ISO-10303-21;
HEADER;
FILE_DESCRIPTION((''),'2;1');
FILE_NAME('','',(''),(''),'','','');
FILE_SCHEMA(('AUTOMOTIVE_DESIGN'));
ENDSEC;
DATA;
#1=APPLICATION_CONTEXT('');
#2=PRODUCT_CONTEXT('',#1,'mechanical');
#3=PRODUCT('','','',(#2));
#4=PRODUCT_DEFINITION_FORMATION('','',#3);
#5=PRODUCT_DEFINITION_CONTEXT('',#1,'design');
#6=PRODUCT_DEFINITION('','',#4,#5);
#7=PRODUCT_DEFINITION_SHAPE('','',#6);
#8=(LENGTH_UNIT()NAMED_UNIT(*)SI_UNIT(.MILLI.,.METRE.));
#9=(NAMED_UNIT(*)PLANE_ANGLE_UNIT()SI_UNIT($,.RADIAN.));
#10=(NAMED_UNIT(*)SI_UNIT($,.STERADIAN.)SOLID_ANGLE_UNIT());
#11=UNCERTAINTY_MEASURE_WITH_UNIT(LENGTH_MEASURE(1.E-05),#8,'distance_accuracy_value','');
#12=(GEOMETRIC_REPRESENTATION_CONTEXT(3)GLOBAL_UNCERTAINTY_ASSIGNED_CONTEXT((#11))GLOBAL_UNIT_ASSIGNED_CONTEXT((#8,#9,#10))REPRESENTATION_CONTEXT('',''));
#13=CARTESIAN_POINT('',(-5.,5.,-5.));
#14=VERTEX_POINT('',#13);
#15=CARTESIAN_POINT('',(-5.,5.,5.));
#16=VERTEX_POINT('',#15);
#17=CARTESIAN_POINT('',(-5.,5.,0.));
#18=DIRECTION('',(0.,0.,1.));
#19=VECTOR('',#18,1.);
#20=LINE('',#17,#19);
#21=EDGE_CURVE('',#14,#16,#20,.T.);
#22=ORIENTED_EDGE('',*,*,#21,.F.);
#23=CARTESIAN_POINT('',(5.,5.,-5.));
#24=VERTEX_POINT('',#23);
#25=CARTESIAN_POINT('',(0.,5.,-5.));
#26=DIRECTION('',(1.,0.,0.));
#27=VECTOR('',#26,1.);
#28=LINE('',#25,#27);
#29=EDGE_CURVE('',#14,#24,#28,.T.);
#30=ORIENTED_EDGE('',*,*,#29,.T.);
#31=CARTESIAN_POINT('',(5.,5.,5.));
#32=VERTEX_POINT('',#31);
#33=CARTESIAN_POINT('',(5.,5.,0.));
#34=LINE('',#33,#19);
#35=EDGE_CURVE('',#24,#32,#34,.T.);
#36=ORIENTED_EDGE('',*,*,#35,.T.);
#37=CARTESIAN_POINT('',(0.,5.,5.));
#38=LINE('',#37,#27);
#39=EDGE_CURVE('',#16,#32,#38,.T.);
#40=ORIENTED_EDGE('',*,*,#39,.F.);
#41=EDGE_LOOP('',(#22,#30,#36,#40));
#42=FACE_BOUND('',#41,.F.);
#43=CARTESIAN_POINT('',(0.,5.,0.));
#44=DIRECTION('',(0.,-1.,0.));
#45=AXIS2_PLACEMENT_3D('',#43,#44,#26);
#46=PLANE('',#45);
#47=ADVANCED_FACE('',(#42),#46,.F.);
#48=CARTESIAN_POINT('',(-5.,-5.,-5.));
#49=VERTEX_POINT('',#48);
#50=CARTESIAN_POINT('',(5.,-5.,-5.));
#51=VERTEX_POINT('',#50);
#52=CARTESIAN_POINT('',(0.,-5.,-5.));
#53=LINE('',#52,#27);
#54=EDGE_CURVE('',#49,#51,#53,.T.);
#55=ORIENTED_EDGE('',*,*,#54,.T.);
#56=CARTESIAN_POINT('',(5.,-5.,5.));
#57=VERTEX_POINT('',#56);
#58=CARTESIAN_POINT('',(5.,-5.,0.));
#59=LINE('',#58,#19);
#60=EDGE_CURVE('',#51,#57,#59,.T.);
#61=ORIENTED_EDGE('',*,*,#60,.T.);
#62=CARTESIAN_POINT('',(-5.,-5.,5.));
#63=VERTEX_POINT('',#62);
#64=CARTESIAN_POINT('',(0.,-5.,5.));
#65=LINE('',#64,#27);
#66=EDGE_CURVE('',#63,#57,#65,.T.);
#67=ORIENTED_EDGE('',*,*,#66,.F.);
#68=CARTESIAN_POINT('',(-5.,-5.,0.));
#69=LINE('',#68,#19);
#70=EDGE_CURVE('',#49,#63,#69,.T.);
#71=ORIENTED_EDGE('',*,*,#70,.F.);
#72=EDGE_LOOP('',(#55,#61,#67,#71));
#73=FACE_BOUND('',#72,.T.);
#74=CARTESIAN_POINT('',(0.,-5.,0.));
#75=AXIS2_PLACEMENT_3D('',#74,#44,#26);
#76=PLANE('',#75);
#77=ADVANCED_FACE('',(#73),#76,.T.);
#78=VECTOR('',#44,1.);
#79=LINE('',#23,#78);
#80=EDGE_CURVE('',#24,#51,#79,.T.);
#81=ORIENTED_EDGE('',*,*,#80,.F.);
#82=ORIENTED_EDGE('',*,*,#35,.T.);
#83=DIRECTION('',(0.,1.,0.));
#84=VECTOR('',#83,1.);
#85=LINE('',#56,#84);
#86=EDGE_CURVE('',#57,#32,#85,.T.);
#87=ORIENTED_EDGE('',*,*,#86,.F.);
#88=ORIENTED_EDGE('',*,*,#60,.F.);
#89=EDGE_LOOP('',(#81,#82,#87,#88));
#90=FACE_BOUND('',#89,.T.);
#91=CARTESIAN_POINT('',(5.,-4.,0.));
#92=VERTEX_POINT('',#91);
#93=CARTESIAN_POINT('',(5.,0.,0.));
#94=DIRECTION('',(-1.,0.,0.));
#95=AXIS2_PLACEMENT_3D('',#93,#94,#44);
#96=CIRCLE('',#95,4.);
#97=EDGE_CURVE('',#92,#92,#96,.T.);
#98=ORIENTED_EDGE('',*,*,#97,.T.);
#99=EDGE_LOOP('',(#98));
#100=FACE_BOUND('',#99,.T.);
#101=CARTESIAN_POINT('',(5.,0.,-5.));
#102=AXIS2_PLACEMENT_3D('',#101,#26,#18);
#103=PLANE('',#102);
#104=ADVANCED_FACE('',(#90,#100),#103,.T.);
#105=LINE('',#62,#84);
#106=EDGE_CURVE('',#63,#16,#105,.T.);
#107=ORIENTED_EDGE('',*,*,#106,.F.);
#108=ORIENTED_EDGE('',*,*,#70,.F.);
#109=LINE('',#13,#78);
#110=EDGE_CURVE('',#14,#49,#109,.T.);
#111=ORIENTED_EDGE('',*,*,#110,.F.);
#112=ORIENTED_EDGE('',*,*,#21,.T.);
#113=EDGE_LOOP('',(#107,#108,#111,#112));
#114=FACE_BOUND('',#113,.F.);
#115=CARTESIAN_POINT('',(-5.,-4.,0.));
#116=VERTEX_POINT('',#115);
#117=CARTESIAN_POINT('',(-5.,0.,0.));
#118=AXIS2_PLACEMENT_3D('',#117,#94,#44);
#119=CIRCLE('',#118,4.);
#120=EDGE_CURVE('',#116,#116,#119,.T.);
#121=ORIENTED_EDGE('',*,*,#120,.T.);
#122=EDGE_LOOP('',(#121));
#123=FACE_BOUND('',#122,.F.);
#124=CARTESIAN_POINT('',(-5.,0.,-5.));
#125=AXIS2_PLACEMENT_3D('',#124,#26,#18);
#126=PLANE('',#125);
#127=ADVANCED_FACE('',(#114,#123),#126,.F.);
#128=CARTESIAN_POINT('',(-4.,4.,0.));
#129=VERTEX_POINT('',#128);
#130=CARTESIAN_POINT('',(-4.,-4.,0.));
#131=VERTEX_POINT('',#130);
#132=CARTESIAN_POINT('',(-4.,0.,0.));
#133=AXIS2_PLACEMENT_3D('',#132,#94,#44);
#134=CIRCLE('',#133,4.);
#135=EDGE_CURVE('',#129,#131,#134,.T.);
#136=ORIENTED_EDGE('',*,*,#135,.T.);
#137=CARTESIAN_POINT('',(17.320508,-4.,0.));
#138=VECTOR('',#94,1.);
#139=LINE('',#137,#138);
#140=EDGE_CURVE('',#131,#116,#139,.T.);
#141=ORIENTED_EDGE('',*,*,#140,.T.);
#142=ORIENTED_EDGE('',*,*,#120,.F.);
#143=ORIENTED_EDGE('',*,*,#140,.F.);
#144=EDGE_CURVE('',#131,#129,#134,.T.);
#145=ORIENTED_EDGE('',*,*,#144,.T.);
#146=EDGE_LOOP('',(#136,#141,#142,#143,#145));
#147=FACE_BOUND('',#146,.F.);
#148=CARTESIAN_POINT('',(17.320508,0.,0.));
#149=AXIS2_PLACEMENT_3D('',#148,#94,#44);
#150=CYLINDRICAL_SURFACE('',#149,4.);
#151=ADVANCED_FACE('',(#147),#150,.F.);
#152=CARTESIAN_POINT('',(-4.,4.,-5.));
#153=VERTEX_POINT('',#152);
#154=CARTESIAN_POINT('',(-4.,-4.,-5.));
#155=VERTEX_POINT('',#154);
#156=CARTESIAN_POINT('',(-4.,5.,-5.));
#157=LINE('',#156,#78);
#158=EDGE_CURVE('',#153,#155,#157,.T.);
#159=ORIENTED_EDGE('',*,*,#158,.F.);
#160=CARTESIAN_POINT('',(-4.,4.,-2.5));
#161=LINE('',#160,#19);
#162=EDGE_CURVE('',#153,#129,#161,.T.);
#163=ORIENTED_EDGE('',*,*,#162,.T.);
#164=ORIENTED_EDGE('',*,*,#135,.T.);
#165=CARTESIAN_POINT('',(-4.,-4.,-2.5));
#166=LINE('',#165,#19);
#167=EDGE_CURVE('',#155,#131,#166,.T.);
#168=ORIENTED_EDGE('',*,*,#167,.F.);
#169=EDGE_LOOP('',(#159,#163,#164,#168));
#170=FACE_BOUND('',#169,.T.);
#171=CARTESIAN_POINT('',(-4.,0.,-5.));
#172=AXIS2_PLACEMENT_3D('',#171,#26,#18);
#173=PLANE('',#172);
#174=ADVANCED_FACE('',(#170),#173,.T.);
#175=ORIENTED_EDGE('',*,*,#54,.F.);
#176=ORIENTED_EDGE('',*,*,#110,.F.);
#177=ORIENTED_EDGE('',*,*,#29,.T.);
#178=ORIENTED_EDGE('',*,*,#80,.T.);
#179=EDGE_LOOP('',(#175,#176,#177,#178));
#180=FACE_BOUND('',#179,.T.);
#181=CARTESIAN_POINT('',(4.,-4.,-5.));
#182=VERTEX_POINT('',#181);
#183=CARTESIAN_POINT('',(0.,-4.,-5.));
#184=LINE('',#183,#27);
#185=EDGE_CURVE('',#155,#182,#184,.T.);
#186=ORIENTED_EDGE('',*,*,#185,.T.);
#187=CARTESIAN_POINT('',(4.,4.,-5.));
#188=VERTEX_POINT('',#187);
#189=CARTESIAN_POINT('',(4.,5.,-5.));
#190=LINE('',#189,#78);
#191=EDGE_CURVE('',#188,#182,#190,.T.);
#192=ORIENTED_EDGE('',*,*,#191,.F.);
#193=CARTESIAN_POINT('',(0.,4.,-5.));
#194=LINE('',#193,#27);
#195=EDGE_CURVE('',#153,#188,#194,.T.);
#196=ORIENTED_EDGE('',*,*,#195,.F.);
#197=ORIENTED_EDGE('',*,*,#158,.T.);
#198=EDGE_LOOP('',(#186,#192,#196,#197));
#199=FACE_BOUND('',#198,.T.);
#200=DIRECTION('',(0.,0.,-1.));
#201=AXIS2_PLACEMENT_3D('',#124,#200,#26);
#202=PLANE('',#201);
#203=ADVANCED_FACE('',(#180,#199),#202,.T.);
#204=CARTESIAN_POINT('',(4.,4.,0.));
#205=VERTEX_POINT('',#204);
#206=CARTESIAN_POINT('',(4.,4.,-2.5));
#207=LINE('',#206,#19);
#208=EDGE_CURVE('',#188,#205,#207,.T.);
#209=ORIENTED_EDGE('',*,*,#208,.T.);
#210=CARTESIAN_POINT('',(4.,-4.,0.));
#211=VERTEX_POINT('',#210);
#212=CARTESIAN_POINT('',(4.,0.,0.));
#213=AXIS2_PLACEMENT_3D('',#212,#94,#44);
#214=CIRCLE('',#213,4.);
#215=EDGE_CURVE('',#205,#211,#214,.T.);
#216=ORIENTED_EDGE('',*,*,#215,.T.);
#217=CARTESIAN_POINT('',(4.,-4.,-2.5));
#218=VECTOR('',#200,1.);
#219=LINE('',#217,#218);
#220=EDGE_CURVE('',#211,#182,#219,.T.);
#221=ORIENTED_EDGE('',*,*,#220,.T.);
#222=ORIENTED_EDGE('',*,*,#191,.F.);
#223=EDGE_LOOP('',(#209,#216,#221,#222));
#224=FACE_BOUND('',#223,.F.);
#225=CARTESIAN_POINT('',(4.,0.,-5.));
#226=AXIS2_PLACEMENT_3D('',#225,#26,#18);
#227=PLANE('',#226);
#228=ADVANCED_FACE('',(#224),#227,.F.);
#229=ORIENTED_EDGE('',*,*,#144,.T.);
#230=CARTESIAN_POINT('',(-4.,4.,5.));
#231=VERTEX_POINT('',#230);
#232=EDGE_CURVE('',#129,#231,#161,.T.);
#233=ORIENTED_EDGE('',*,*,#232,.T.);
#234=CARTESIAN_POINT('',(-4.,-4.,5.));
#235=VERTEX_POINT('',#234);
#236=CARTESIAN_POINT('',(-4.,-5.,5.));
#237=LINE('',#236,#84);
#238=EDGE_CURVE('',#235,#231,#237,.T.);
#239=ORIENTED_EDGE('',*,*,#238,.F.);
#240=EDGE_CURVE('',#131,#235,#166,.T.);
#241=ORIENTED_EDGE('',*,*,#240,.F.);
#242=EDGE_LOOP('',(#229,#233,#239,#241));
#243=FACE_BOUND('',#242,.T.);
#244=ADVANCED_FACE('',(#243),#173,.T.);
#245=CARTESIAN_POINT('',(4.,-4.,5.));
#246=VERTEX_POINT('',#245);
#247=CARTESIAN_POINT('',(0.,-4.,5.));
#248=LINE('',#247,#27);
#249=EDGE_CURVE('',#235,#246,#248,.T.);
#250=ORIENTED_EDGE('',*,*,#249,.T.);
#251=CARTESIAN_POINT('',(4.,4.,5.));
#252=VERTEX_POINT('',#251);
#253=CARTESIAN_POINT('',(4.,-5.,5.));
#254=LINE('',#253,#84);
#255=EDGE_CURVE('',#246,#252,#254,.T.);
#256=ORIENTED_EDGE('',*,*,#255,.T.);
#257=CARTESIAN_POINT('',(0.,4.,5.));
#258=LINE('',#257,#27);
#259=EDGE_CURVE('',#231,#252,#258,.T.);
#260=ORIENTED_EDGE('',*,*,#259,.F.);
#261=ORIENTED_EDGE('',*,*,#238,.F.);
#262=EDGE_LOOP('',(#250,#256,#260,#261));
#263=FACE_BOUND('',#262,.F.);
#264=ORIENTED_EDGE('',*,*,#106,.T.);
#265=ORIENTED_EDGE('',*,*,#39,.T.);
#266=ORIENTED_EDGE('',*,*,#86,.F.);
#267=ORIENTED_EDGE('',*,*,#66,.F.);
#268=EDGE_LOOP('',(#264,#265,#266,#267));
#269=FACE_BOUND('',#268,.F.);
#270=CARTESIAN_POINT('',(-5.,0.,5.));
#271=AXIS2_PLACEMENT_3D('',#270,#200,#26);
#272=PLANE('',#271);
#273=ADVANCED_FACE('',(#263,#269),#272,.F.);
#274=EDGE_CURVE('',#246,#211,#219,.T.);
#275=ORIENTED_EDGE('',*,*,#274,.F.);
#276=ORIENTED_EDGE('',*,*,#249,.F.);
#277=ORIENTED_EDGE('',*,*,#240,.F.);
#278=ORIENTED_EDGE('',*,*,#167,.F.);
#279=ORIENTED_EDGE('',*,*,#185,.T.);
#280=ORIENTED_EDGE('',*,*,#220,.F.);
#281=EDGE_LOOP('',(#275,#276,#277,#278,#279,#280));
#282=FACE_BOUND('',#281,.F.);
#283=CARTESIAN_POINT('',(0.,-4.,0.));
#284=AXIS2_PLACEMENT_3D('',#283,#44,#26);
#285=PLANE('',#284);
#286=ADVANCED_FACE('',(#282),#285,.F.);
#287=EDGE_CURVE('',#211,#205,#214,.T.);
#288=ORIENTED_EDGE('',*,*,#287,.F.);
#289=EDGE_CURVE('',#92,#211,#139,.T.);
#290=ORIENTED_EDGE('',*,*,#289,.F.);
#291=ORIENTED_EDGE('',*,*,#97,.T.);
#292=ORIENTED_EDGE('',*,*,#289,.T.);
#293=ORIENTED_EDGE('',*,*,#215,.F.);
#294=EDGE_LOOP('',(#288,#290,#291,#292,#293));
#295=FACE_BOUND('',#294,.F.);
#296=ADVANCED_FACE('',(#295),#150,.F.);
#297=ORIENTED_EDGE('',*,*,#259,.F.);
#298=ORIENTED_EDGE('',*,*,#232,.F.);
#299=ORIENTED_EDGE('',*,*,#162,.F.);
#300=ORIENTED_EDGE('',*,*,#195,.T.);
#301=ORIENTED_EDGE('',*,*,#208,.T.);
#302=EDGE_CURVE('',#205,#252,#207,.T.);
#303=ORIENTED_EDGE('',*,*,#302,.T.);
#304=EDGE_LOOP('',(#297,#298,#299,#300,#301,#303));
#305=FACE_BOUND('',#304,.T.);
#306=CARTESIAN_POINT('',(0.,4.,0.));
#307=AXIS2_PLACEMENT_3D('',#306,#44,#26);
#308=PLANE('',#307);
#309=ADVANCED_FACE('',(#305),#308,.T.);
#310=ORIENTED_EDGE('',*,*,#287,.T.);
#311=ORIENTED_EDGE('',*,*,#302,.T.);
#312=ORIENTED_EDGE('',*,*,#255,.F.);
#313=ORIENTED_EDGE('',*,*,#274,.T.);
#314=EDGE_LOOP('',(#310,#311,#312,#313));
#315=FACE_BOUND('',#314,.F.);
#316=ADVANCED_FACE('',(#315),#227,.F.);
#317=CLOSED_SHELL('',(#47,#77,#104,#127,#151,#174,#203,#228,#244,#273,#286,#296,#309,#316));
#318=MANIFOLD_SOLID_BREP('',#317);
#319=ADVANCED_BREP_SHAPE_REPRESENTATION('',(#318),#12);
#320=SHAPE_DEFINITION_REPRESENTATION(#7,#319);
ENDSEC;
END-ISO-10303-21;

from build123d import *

# Parameters (mm, degrees)
F0_W     = 10
F0_H     = 10
F1_DEPTH = 5
F2_T     = -1
F4_D     = 8
F5_D     = 8


with BuildPart() as f1:
    # F0 (on Front) → F1 (new body, symmetric)
    with BuildSketch(Plane.XZ):
        Rectangle(F0_W, F0_H)
    extrude(amount=F1_DEPTH, both=True)

    # F2
    f2_openings = [f1.faces().sort_by_distance(p)[0] for p in [
        (0, 0, 5),
        (0, 0, -5),
    ]]
    offset(amount=F2_T, openings=f2_openings)

    # F4 (through all)
    with Locations(Plane.YZ):
        with Locations((0, 0)):
            Hole(F4_D / 2)

    # F5 (through all)
    with Locations(Plane(origin=(0, 0, 0), x_dir=(0, 1, 0), z_dir=(-1, 0, 0))):
        with Locations((0, 0)):
            Hole(F5_D / 2)


solid = f1.part
